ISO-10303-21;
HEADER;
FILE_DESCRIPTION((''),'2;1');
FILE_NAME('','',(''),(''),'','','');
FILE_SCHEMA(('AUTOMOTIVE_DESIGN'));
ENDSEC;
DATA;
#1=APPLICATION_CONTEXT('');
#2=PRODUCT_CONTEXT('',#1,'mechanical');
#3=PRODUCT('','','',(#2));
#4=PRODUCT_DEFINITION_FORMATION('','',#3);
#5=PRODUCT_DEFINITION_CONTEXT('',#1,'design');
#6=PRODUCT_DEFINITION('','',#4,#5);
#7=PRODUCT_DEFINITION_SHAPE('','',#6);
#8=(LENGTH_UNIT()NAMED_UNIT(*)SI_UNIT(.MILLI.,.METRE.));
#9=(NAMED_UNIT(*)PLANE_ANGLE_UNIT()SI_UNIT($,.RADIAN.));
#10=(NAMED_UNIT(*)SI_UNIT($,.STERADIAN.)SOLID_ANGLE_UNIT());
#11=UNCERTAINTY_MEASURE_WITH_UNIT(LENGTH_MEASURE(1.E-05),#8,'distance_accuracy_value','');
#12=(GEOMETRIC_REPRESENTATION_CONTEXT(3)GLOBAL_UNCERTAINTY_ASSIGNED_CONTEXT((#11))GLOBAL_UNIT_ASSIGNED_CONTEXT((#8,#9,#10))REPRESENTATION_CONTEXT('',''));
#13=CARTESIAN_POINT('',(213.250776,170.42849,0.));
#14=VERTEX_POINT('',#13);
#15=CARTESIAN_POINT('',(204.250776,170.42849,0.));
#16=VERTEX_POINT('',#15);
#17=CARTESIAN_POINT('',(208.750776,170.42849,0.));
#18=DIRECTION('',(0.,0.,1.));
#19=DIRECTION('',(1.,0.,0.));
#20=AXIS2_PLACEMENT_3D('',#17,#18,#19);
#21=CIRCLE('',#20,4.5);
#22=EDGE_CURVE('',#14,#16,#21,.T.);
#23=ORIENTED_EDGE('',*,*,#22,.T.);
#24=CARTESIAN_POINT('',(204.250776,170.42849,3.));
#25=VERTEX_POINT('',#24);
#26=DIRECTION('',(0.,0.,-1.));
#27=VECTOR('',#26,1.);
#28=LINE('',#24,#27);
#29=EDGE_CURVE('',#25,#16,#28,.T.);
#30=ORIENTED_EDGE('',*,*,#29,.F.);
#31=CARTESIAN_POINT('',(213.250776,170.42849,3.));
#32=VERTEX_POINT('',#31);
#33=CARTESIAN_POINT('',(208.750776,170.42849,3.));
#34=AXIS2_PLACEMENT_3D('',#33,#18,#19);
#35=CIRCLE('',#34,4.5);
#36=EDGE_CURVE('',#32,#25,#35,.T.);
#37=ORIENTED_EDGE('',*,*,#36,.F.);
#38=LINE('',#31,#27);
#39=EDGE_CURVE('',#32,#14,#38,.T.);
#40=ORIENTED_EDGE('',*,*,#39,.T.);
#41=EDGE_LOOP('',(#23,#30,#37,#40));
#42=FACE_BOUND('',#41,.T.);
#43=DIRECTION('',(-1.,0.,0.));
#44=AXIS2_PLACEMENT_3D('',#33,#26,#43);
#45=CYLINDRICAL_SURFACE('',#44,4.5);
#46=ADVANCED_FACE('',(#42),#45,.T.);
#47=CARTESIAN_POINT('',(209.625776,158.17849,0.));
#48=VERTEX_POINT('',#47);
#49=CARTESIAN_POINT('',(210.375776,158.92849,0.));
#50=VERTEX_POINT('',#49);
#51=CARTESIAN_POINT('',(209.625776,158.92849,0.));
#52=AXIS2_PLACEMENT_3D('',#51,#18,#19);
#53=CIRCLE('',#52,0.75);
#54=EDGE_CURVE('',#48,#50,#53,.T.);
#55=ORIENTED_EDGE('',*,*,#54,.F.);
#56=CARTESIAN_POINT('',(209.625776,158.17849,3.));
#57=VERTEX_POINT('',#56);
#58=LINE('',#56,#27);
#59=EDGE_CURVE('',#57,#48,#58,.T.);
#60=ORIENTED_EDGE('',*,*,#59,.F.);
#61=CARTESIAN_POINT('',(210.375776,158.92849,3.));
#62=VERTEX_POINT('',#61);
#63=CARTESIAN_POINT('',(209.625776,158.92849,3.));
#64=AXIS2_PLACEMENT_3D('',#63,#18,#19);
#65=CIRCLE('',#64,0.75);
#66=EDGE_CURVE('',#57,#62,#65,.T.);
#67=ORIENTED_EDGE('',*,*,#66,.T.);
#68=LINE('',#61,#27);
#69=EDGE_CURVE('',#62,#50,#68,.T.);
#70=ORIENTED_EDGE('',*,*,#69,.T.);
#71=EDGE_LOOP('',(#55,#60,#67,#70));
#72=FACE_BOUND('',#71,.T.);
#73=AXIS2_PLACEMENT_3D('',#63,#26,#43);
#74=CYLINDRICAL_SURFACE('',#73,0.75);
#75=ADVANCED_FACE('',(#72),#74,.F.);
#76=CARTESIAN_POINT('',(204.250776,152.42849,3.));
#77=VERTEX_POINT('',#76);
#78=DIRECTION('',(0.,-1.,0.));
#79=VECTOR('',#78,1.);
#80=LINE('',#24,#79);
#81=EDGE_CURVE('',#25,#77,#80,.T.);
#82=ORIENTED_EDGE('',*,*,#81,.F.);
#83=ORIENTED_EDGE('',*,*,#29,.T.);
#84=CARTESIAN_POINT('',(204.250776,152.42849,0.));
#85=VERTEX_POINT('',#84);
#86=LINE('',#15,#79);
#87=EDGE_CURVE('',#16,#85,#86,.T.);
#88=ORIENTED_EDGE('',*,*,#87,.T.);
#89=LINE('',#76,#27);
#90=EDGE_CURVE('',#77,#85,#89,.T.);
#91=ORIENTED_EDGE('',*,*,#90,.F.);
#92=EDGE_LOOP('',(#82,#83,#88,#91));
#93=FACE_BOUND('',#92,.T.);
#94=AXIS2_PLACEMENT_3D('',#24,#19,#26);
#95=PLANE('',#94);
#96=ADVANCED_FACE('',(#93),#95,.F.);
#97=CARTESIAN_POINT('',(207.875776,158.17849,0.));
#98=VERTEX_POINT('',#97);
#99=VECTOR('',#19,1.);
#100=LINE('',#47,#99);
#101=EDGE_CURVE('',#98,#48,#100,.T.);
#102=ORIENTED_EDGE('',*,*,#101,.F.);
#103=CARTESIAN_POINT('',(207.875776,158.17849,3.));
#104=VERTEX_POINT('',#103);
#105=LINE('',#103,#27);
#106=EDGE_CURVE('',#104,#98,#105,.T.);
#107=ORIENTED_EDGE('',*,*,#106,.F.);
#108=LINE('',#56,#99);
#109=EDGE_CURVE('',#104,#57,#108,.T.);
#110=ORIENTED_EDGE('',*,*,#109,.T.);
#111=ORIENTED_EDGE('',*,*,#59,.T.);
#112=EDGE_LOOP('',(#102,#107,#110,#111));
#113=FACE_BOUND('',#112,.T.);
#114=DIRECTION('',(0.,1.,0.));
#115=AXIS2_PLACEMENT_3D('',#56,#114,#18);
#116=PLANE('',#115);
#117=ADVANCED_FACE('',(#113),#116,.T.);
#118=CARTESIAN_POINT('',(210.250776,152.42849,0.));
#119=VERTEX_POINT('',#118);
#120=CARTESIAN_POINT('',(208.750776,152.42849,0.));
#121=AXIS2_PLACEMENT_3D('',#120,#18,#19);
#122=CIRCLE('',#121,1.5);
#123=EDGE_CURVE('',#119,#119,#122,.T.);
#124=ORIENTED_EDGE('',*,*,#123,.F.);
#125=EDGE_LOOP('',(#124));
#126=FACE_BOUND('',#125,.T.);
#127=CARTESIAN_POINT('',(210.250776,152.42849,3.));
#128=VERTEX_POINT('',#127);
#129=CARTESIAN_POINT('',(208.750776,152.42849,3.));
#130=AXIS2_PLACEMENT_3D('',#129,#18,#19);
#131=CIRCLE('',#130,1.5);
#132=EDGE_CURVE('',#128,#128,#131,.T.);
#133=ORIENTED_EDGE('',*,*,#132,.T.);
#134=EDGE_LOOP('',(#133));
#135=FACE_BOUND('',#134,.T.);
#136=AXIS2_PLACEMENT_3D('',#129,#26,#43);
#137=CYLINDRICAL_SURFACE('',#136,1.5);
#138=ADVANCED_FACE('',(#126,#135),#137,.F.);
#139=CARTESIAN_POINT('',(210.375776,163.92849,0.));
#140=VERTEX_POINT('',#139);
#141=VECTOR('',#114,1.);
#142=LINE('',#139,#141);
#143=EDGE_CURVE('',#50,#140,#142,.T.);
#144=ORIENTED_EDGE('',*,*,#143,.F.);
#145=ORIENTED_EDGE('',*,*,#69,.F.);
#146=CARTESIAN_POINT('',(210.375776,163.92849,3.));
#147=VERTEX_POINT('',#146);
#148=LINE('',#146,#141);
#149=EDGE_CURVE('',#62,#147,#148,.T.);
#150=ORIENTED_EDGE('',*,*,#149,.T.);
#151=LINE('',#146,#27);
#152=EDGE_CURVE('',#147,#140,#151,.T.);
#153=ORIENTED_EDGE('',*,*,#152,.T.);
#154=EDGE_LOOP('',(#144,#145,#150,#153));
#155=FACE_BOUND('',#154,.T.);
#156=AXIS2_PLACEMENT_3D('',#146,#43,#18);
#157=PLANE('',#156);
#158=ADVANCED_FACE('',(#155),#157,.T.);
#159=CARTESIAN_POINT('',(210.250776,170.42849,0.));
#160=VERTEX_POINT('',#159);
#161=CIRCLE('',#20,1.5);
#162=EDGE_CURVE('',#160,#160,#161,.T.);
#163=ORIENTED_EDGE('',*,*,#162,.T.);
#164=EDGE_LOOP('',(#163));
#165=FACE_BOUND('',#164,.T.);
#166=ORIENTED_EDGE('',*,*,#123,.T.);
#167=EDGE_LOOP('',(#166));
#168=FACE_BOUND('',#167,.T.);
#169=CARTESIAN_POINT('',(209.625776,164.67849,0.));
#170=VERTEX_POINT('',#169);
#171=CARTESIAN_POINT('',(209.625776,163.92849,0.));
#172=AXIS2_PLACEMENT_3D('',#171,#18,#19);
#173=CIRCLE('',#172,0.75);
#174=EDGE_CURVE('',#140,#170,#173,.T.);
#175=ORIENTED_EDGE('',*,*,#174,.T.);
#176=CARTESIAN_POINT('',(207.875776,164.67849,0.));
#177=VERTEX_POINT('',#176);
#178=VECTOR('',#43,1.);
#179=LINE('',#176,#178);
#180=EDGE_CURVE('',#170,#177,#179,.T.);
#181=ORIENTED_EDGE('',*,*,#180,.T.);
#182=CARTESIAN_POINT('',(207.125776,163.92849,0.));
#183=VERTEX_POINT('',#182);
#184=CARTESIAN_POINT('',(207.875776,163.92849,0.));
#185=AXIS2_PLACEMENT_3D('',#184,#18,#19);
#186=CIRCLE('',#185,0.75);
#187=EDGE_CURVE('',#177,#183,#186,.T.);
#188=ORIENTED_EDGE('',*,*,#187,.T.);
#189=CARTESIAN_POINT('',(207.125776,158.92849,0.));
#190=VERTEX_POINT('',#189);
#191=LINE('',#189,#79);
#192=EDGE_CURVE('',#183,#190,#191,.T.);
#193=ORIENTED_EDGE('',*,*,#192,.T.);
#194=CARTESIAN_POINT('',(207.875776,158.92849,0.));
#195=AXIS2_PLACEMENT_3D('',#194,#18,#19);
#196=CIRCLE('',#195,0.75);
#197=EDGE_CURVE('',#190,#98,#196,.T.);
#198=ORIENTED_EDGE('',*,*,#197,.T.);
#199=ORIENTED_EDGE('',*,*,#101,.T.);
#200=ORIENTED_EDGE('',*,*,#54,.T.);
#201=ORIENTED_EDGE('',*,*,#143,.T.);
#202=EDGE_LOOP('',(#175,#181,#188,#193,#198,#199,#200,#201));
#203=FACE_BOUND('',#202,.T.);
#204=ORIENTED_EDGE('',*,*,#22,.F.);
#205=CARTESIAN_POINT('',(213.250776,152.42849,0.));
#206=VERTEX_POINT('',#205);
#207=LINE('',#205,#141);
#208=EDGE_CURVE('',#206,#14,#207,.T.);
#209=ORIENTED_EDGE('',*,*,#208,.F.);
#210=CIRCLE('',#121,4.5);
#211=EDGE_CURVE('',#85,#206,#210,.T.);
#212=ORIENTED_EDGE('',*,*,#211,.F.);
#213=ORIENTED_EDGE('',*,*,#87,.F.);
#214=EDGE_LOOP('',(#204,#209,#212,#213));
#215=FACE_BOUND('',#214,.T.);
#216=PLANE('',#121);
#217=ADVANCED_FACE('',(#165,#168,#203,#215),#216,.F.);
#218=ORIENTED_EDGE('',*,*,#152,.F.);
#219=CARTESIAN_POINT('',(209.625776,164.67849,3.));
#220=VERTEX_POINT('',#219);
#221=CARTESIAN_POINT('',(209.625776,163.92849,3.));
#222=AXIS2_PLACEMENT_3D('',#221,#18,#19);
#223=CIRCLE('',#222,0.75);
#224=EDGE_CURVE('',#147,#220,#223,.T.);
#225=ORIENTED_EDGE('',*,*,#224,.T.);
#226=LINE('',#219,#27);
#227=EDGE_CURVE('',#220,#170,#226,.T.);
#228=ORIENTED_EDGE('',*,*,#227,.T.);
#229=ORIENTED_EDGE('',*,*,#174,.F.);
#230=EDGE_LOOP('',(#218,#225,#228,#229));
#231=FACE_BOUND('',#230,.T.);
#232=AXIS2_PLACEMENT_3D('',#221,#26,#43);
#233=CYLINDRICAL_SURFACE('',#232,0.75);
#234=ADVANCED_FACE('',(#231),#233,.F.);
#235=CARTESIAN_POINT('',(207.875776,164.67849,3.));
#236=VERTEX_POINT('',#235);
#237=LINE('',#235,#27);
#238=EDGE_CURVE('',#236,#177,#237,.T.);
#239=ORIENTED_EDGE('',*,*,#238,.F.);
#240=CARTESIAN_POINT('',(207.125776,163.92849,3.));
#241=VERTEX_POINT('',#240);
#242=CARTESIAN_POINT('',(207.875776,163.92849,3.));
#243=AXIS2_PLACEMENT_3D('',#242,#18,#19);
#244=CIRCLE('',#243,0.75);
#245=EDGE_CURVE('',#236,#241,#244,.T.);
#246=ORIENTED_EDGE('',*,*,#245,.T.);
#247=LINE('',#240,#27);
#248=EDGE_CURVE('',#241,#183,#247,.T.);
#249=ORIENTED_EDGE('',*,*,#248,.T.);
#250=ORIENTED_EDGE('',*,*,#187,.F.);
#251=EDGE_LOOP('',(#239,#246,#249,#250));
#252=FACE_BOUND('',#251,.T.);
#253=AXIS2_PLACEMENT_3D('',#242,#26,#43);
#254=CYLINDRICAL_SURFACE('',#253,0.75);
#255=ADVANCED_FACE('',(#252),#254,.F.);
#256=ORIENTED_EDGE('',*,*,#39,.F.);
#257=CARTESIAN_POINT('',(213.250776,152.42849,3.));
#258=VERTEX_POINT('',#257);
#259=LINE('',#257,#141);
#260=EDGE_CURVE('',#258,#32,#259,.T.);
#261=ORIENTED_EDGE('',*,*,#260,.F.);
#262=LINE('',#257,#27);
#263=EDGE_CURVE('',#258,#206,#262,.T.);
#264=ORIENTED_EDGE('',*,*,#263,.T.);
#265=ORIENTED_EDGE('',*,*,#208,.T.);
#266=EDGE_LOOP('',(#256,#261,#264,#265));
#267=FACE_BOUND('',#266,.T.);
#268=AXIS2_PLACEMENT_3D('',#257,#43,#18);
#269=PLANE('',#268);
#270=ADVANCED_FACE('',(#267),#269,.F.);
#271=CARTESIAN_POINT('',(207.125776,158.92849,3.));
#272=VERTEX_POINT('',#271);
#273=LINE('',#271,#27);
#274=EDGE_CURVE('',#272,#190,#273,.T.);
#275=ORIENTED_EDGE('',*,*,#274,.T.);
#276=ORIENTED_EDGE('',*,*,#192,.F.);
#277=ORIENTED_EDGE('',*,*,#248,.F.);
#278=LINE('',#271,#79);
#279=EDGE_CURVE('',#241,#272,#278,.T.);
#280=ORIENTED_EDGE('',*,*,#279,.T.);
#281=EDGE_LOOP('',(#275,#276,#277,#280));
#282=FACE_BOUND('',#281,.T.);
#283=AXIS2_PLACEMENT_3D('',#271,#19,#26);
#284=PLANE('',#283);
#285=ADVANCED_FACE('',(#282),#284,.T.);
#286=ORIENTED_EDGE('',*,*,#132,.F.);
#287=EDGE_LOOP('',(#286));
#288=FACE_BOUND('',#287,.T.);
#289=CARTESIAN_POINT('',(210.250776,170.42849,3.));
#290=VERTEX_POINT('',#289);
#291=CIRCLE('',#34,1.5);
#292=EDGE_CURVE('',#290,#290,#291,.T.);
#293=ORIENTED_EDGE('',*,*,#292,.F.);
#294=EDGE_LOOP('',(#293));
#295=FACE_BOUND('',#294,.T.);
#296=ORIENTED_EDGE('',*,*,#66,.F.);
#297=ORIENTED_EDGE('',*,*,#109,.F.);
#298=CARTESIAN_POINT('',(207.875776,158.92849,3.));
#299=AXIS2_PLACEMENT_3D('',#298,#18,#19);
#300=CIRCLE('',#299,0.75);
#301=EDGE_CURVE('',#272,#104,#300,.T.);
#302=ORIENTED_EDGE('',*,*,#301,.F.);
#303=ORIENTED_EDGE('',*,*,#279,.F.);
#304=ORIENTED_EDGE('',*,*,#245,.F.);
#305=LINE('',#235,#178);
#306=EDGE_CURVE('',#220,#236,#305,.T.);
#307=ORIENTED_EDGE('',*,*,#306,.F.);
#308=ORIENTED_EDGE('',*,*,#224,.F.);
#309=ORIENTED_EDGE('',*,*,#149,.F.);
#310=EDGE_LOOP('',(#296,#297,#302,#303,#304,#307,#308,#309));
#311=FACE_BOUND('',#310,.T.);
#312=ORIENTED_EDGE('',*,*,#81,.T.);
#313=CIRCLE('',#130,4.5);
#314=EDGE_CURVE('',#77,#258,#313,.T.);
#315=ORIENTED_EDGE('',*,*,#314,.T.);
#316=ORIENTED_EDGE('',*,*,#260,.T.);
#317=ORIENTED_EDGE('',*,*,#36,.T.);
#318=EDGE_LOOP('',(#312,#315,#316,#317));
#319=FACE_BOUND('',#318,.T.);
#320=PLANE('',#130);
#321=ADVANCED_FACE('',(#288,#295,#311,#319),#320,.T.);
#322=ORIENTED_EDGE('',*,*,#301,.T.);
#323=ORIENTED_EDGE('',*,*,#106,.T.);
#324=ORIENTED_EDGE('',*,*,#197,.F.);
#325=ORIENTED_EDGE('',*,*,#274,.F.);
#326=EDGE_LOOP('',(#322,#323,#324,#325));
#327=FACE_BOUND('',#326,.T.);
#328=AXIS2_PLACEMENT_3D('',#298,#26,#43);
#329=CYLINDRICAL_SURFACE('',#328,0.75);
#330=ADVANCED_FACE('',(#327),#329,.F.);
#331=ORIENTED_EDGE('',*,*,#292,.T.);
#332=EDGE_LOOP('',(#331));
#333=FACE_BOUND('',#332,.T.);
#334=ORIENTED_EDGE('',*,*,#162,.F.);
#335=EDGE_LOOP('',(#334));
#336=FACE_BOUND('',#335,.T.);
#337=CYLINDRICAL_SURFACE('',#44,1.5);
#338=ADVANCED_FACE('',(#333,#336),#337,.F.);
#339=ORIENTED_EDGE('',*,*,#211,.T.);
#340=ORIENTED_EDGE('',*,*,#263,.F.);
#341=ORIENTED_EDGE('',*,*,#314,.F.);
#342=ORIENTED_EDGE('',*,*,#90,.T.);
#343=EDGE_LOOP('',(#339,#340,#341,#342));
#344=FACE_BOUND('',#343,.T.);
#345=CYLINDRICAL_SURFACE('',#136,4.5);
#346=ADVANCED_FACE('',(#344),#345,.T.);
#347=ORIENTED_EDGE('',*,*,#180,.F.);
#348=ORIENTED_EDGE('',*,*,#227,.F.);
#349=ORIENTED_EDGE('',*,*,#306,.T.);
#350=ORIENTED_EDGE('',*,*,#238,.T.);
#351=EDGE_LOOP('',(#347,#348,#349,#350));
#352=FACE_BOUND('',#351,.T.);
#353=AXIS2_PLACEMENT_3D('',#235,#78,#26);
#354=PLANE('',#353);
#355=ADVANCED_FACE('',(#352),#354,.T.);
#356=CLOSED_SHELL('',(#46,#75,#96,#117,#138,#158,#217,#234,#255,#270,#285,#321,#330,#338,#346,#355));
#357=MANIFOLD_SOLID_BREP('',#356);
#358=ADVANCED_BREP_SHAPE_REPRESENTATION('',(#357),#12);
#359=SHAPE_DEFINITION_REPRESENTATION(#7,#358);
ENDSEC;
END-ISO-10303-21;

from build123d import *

# Parameters (mm, degrees)
MODEL_R                 = 1.5
SALIENTE_EXTRUIR1_DEPTH = 3


with BuildPart() as part:
    # Model → Saliente-Extruir1 (new body)
    with BuildSketch(Plane.XY):
        with BuildLine():
            Line((213.25077615, 152.428489513), (213.25077615, 170.428489513))
            ThreePointArc((213.25077615, 170.428489513), (208.75077615, 174.928489513), (204.25077615, 170.428489513))
            Line((204.25077615, 170.428489513), (204.25077615, 152.428489513))
            ThreePointArc((204.25077615, 152.428489513), (208.75077615, 147.928489513), (213.25077615, 152.428489513))
        make_face()
        with Locations((208.75077615, 152.428489513)):
            Circle(MODEL_R, mode=Mode.SUBTRACT)
        with Locations((208.75077615, 170.428489513)):
            Circle(MODEL_R, mode=Mode.SUBTRACT)
        with BuildLine():
            Line((207.12577615, 158.928489513), (207.12577615, 163.928489513))
            ThreePointArc((207.12577615, 163.928489513), (207.345446064, 164.458819599), (207.87577615, 164.678489513))
            Line((207.87577615, 164.678489513), (209.62577615, 164.678489513))
            ThreePointArc((209.62577615, 164.678489513), (210.156106235, 164.458819599), (210.37577615, 163.928489513))
            Line((210.37577615, 163.928489513), (210.37577615, 158.928489513))
            ThreePointArc((210.37577615, 158.928489513), (210.156106235, 158.398159427), (209.62577615, 158.178489513))
            Line((209.62577615, 158.178489513), (207.87577615, 158.178489513))
            ThreePointArc((207.87577615, 158.178489513), (207.345446064, 158.398159427), (207.12577615, 158.928489513))
        make_face(mode=Mode.SUBTRACT)
    extrude(amount=SALIENTE_EXTRUIR1_DEPTH)


solid = part.part
